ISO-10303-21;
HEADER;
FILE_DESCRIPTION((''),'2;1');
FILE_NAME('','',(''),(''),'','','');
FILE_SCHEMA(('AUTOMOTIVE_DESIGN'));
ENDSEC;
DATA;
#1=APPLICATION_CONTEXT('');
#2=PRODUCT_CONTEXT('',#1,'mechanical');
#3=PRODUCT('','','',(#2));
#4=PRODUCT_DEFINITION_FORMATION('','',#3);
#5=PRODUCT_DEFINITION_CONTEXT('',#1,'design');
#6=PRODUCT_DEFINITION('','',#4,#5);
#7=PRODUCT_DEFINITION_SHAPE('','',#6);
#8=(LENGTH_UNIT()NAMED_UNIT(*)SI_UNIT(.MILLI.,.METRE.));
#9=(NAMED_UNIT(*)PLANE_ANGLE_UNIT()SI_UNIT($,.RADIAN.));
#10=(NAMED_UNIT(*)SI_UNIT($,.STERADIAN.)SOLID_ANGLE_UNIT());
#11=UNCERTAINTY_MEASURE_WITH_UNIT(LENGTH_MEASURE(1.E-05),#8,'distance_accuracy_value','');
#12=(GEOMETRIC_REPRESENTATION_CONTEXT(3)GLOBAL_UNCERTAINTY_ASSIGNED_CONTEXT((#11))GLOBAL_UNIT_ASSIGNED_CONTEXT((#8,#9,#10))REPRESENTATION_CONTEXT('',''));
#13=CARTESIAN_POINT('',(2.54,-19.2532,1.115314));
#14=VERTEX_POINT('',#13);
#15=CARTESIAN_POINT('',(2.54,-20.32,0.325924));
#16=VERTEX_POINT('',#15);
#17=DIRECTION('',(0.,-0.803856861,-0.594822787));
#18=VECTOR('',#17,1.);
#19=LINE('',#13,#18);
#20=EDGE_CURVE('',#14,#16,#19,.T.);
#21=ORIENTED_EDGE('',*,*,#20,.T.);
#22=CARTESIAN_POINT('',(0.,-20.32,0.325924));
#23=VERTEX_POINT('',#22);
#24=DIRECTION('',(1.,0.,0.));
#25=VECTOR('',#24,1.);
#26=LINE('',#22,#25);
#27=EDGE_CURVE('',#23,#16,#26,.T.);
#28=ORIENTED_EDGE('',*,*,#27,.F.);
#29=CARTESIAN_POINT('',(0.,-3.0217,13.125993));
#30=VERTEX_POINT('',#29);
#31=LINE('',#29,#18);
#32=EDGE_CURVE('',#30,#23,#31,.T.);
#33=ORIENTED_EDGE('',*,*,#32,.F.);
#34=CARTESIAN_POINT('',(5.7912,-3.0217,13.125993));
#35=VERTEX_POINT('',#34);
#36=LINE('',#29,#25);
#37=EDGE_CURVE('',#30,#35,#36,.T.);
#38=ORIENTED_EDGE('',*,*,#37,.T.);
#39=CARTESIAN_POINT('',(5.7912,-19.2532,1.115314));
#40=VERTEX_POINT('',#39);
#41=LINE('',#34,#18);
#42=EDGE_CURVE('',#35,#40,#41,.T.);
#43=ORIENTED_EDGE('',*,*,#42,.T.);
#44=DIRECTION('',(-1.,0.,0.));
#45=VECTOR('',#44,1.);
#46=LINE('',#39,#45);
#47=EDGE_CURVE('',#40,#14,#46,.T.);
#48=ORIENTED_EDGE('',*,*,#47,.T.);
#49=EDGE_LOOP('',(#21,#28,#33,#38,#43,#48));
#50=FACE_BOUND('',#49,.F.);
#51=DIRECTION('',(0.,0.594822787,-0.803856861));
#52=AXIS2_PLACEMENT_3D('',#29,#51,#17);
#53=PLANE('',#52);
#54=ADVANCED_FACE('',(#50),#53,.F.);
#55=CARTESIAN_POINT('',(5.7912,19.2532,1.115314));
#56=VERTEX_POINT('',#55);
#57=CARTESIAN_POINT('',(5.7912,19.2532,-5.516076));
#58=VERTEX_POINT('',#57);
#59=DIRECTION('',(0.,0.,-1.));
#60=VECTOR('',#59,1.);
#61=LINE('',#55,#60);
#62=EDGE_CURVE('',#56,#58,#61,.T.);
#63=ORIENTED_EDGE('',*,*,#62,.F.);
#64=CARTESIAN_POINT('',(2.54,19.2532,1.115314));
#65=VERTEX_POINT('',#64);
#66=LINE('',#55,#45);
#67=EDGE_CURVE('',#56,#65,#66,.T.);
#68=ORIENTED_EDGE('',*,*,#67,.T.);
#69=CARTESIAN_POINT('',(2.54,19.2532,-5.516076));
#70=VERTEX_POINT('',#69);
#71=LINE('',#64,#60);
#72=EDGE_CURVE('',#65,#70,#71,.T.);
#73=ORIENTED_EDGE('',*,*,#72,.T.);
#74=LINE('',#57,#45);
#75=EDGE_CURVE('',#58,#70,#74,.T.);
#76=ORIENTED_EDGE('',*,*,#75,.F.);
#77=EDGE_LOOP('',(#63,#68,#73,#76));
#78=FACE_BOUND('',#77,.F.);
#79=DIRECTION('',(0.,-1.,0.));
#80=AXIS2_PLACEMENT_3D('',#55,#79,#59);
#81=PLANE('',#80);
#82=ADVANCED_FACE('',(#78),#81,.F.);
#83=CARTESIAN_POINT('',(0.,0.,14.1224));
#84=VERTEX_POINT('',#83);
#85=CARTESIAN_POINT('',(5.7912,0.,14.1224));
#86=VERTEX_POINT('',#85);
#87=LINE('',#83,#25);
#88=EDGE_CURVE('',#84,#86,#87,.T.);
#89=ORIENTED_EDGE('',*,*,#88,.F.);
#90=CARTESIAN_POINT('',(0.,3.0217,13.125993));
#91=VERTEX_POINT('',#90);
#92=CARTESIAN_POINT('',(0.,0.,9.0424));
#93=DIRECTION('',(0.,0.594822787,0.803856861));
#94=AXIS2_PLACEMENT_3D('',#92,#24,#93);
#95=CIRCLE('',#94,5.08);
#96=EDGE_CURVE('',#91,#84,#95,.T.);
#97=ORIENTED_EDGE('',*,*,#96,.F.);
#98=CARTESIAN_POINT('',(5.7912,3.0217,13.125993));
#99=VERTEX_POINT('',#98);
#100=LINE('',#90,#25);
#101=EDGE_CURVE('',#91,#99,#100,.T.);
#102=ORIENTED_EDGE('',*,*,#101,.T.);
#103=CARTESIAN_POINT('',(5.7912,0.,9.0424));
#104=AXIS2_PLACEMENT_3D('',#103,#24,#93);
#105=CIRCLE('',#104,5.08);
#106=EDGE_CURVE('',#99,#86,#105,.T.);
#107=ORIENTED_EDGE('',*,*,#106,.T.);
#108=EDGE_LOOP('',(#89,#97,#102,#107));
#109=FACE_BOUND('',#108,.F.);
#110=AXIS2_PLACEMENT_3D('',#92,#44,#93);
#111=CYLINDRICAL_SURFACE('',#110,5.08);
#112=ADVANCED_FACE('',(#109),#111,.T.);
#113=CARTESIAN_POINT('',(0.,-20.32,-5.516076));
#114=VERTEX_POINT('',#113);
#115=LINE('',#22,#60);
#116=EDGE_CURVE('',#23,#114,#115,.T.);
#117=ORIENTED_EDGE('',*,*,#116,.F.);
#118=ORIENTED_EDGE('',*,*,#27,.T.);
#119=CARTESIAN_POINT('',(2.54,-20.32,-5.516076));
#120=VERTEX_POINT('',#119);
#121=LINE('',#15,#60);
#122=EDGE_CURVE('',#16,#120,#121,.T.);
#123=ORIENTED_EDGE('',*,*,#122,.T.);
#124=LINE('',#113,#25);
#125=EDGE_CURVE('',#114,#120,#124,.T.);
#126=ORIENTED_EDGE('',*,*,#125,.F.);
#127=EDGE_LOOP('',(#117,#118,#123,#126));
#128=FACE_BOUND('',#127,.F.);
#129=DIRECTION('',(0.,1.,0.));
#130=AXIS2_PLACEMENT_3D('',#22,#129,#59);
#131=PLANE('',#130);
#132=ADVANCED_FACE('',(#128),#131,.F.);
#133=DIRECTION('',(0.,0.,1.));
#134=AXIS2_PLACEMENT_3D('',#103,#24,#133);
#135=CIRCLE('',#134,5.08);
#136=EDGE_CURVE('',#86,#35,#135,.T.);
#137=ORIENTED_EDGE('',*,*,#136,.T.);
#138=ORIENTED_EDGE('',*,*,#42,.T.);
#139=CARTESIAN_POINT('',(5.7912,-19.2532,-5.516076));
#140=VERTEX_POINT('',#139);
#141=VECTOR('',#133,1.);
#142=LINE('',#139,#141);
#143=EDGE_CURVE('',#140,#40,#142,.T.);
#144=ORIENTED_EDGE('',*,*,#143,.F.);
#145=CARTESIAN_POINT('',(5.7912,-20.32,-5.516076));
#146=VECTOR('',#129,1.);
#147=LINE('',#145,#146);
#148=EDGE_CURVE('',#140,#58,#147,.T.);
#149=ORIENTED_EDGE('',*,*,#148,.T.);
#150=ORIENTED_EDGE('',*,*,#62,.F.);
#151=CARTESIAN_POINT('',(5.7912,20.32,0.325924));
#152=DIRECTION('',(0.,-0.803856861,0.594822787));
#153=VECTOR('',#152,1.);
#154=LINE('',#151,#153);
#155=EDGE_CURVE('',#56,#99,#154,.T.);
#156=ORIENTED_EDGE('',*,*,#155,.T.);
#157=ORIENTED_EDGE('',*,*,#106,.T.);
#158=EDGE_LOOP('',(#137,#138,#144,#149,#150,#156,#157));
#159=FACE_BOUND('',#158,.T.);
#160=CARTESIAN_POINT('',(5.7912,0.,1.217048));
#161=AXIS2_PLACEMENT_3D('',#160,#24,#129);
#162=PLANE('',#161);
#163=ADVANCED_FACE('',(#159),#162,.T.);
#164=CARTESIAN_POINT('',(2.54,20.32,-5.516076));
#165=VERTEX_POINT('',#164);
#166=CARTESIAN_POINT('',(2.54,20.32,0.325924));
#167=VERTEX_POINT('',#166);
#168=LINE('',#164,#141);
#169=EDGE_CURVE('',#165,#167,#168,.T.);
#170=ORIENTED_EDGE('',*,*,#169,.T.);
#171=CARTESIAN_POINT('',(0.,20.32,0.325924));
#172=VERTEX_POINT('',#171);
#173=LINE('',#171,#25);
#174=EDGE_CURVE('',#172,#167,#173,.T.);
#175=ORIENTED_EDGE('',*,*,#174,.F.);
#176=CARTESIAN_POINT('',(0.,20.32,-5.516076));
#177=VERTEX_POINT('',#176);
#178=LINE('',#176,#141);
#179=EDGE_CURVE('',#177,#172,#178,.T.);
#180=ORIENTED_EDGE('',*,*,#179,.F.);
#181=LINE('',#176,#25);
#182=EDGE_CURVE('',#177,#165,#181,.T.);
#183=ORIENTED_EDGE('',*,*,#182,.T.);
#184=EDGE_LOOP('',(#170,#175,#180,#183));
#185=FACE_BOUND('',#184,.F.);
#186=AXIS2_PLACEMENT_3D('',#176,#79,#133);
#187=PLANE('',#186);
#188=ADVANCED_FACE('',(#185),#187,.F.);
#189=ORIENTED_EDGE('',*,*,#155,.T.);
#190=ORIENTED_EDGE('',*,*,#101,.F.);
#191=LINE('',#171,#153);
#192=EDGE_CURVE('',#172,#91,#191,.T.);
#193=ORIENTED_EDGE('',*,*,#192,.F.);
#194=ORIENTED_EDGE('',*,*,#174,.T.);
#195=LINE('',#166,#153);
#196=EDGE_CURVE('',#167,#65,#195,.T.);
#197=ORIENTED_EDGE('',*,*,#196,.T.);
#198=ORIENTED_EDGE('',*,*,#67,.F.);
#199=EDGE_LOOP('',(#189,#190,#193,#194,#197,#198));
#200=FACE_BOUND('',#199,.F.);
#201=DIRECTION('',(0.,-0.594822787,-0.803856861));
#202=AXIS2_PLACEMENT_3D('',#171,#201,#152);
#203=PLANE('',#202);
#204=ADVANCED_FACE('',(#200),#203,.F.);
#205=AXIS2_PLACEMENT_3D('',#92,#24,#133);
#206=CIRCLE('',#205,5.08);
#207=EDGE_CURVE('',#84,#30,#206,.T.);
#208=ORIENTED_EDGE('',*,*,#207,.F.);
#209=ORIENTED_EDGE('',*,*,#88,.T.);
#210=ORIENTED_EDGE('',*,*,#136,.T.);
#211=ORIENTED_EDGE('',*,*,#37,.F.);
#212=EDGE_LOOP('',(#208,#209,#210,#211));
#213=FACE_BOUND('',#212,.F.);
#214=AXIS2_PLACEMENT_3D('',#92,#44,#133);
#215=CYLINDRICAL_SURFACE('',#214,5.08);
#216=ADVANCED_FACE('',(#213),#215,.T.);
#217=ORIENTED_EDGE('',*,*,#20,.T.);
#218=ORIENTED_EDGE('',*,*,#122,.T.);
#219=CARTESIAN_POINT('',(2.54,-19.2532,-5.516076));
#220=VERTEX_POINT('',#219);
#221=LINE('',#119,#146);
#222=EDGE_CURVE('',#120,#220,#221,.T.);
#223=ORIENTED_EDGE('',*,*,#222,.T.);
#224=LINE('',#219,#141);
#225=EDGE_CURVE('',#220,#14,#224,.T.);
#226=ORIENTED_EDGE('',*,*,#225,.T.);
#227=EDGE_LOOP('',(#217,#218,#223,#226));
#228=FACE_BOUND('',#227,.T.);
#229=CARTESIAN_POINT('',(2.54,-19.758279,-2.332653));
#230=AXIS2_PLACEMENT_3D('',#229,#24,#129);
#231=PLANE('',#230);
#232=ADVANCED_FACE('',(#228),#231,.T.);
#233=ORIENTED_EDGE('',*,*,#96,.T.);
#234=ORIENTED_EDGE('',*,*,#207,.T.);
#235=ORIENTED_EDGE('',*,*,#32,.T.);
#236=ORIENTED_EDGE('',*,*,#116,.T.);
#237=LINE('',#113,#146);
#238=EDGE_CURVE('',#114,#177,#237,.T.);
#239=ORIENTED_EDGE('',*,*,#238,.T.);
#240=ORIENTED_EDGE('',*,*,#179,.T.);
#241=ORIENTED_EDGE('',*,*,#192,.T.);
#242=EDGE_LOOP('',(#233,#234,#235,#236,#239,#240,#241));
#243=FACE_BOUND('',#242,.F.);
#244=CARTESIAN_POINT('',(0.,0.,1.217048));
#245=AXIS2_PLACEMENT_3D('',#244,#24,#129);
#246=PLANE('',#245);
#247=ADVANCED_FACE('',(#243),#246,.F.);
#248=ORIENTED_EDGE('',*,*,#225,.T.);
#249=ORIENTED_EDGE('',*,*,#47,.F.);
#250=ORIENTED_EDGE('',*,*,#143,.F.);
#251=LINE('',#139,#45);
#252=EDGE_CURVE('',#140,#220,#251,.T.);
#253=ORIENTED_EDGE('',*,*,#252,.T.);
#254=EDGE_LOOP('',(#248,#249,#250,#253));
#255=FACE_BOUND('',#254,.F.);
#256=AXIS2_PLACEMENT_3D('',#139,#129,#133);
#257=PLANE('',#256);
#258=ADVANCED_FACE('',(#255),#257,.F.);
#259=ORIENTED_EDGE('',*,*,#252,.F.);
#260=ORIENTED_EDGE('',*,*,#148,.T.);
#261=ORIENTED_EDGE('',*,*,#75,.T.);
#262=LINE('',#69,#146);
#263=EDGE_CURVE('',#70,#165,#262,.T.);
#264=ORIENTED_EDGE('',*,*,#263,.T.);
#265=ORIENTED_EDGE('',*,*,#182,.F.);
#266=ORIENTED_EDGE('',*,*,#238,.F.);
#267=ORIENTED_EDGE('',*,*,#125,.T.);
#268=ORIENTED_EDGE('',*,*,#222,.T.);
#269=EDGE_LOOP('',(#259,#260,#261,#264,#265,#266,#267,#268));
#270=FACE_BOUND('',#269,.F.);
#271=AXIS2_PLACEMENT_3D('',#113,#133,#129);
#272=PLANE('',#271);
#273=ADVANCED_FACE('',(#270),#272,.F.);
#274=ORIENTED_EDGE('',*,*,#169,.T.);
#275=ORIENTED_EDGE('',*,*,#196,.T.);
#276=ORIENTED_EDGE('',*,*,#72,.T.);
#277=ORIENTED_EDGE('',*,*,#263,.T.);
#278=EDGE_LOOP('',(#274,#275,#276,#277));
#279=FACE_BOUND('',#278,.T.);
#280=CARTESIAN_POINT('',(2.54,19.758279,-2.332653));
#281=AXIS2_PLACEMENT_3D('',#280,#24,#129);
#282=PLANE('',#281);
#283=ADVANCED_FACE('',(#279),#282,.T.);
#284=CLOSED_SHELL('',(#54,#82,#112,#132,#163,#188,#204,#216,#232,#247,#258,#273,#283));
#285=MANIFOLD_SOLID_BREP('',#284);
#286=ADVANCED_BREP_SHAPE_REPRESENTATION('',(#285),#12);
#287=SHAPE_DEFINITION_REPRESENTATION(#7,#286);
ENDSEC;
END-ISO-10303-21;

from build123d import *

# Parameters (mm, degrees)
F1_DEPTH = 5.7912
F3_DEPTH = 3.2512


with BuildPart() as f1:
    # F0 (on Right) → F1 (new body)
    with BuildSketch(Plane.YZ):
        with BuildLine():
            Line((20.32, 0.3259240077), (3.0216997567, 13.1259928519))
            ThreePointArc((3.0216997567, 13.1259928519), (1.5908721369, 13.8668715611), (0, 14.1224))
            ThreePointArc((0, 14.1224), (-1.5908721369, 13.8668715611), (-3.0216997567, 13.1259928519))
            Line((-3.0216997567, 13.1259928519), (-20.32, 0.3259240077))
            Line((-20.32, 0.3259240077), (-20.32, -5.5160759923))
            Line((-20.32, -5.5160759923), (20.32, -5.5160759923))
            Line((20.32, -5.5160759923), (20.32, 0.3259240077))
        make_face()
    extrude(amount=F1_DEPTH)

    # F2 (on face) → F3 (cut)
    with BuildSketch(Plane.YZ.offset(5.7912)):
        Polygon((20.32, -5.5160759923), (20.32, 0.3259240077), (19.2532, 1.1153144826), (19.2532, -5.5160759923), align=None)
        Polygon((-19.2532, 1.1153144826), (-20.32, 0.3259240077), (-20.32, -5.5160759923), (-19.2532, -5.5160759923), align=None)
    extrude(amount=-F3_DEPTH, mode=Mode.SUBTRACT)


solid = f1.part
